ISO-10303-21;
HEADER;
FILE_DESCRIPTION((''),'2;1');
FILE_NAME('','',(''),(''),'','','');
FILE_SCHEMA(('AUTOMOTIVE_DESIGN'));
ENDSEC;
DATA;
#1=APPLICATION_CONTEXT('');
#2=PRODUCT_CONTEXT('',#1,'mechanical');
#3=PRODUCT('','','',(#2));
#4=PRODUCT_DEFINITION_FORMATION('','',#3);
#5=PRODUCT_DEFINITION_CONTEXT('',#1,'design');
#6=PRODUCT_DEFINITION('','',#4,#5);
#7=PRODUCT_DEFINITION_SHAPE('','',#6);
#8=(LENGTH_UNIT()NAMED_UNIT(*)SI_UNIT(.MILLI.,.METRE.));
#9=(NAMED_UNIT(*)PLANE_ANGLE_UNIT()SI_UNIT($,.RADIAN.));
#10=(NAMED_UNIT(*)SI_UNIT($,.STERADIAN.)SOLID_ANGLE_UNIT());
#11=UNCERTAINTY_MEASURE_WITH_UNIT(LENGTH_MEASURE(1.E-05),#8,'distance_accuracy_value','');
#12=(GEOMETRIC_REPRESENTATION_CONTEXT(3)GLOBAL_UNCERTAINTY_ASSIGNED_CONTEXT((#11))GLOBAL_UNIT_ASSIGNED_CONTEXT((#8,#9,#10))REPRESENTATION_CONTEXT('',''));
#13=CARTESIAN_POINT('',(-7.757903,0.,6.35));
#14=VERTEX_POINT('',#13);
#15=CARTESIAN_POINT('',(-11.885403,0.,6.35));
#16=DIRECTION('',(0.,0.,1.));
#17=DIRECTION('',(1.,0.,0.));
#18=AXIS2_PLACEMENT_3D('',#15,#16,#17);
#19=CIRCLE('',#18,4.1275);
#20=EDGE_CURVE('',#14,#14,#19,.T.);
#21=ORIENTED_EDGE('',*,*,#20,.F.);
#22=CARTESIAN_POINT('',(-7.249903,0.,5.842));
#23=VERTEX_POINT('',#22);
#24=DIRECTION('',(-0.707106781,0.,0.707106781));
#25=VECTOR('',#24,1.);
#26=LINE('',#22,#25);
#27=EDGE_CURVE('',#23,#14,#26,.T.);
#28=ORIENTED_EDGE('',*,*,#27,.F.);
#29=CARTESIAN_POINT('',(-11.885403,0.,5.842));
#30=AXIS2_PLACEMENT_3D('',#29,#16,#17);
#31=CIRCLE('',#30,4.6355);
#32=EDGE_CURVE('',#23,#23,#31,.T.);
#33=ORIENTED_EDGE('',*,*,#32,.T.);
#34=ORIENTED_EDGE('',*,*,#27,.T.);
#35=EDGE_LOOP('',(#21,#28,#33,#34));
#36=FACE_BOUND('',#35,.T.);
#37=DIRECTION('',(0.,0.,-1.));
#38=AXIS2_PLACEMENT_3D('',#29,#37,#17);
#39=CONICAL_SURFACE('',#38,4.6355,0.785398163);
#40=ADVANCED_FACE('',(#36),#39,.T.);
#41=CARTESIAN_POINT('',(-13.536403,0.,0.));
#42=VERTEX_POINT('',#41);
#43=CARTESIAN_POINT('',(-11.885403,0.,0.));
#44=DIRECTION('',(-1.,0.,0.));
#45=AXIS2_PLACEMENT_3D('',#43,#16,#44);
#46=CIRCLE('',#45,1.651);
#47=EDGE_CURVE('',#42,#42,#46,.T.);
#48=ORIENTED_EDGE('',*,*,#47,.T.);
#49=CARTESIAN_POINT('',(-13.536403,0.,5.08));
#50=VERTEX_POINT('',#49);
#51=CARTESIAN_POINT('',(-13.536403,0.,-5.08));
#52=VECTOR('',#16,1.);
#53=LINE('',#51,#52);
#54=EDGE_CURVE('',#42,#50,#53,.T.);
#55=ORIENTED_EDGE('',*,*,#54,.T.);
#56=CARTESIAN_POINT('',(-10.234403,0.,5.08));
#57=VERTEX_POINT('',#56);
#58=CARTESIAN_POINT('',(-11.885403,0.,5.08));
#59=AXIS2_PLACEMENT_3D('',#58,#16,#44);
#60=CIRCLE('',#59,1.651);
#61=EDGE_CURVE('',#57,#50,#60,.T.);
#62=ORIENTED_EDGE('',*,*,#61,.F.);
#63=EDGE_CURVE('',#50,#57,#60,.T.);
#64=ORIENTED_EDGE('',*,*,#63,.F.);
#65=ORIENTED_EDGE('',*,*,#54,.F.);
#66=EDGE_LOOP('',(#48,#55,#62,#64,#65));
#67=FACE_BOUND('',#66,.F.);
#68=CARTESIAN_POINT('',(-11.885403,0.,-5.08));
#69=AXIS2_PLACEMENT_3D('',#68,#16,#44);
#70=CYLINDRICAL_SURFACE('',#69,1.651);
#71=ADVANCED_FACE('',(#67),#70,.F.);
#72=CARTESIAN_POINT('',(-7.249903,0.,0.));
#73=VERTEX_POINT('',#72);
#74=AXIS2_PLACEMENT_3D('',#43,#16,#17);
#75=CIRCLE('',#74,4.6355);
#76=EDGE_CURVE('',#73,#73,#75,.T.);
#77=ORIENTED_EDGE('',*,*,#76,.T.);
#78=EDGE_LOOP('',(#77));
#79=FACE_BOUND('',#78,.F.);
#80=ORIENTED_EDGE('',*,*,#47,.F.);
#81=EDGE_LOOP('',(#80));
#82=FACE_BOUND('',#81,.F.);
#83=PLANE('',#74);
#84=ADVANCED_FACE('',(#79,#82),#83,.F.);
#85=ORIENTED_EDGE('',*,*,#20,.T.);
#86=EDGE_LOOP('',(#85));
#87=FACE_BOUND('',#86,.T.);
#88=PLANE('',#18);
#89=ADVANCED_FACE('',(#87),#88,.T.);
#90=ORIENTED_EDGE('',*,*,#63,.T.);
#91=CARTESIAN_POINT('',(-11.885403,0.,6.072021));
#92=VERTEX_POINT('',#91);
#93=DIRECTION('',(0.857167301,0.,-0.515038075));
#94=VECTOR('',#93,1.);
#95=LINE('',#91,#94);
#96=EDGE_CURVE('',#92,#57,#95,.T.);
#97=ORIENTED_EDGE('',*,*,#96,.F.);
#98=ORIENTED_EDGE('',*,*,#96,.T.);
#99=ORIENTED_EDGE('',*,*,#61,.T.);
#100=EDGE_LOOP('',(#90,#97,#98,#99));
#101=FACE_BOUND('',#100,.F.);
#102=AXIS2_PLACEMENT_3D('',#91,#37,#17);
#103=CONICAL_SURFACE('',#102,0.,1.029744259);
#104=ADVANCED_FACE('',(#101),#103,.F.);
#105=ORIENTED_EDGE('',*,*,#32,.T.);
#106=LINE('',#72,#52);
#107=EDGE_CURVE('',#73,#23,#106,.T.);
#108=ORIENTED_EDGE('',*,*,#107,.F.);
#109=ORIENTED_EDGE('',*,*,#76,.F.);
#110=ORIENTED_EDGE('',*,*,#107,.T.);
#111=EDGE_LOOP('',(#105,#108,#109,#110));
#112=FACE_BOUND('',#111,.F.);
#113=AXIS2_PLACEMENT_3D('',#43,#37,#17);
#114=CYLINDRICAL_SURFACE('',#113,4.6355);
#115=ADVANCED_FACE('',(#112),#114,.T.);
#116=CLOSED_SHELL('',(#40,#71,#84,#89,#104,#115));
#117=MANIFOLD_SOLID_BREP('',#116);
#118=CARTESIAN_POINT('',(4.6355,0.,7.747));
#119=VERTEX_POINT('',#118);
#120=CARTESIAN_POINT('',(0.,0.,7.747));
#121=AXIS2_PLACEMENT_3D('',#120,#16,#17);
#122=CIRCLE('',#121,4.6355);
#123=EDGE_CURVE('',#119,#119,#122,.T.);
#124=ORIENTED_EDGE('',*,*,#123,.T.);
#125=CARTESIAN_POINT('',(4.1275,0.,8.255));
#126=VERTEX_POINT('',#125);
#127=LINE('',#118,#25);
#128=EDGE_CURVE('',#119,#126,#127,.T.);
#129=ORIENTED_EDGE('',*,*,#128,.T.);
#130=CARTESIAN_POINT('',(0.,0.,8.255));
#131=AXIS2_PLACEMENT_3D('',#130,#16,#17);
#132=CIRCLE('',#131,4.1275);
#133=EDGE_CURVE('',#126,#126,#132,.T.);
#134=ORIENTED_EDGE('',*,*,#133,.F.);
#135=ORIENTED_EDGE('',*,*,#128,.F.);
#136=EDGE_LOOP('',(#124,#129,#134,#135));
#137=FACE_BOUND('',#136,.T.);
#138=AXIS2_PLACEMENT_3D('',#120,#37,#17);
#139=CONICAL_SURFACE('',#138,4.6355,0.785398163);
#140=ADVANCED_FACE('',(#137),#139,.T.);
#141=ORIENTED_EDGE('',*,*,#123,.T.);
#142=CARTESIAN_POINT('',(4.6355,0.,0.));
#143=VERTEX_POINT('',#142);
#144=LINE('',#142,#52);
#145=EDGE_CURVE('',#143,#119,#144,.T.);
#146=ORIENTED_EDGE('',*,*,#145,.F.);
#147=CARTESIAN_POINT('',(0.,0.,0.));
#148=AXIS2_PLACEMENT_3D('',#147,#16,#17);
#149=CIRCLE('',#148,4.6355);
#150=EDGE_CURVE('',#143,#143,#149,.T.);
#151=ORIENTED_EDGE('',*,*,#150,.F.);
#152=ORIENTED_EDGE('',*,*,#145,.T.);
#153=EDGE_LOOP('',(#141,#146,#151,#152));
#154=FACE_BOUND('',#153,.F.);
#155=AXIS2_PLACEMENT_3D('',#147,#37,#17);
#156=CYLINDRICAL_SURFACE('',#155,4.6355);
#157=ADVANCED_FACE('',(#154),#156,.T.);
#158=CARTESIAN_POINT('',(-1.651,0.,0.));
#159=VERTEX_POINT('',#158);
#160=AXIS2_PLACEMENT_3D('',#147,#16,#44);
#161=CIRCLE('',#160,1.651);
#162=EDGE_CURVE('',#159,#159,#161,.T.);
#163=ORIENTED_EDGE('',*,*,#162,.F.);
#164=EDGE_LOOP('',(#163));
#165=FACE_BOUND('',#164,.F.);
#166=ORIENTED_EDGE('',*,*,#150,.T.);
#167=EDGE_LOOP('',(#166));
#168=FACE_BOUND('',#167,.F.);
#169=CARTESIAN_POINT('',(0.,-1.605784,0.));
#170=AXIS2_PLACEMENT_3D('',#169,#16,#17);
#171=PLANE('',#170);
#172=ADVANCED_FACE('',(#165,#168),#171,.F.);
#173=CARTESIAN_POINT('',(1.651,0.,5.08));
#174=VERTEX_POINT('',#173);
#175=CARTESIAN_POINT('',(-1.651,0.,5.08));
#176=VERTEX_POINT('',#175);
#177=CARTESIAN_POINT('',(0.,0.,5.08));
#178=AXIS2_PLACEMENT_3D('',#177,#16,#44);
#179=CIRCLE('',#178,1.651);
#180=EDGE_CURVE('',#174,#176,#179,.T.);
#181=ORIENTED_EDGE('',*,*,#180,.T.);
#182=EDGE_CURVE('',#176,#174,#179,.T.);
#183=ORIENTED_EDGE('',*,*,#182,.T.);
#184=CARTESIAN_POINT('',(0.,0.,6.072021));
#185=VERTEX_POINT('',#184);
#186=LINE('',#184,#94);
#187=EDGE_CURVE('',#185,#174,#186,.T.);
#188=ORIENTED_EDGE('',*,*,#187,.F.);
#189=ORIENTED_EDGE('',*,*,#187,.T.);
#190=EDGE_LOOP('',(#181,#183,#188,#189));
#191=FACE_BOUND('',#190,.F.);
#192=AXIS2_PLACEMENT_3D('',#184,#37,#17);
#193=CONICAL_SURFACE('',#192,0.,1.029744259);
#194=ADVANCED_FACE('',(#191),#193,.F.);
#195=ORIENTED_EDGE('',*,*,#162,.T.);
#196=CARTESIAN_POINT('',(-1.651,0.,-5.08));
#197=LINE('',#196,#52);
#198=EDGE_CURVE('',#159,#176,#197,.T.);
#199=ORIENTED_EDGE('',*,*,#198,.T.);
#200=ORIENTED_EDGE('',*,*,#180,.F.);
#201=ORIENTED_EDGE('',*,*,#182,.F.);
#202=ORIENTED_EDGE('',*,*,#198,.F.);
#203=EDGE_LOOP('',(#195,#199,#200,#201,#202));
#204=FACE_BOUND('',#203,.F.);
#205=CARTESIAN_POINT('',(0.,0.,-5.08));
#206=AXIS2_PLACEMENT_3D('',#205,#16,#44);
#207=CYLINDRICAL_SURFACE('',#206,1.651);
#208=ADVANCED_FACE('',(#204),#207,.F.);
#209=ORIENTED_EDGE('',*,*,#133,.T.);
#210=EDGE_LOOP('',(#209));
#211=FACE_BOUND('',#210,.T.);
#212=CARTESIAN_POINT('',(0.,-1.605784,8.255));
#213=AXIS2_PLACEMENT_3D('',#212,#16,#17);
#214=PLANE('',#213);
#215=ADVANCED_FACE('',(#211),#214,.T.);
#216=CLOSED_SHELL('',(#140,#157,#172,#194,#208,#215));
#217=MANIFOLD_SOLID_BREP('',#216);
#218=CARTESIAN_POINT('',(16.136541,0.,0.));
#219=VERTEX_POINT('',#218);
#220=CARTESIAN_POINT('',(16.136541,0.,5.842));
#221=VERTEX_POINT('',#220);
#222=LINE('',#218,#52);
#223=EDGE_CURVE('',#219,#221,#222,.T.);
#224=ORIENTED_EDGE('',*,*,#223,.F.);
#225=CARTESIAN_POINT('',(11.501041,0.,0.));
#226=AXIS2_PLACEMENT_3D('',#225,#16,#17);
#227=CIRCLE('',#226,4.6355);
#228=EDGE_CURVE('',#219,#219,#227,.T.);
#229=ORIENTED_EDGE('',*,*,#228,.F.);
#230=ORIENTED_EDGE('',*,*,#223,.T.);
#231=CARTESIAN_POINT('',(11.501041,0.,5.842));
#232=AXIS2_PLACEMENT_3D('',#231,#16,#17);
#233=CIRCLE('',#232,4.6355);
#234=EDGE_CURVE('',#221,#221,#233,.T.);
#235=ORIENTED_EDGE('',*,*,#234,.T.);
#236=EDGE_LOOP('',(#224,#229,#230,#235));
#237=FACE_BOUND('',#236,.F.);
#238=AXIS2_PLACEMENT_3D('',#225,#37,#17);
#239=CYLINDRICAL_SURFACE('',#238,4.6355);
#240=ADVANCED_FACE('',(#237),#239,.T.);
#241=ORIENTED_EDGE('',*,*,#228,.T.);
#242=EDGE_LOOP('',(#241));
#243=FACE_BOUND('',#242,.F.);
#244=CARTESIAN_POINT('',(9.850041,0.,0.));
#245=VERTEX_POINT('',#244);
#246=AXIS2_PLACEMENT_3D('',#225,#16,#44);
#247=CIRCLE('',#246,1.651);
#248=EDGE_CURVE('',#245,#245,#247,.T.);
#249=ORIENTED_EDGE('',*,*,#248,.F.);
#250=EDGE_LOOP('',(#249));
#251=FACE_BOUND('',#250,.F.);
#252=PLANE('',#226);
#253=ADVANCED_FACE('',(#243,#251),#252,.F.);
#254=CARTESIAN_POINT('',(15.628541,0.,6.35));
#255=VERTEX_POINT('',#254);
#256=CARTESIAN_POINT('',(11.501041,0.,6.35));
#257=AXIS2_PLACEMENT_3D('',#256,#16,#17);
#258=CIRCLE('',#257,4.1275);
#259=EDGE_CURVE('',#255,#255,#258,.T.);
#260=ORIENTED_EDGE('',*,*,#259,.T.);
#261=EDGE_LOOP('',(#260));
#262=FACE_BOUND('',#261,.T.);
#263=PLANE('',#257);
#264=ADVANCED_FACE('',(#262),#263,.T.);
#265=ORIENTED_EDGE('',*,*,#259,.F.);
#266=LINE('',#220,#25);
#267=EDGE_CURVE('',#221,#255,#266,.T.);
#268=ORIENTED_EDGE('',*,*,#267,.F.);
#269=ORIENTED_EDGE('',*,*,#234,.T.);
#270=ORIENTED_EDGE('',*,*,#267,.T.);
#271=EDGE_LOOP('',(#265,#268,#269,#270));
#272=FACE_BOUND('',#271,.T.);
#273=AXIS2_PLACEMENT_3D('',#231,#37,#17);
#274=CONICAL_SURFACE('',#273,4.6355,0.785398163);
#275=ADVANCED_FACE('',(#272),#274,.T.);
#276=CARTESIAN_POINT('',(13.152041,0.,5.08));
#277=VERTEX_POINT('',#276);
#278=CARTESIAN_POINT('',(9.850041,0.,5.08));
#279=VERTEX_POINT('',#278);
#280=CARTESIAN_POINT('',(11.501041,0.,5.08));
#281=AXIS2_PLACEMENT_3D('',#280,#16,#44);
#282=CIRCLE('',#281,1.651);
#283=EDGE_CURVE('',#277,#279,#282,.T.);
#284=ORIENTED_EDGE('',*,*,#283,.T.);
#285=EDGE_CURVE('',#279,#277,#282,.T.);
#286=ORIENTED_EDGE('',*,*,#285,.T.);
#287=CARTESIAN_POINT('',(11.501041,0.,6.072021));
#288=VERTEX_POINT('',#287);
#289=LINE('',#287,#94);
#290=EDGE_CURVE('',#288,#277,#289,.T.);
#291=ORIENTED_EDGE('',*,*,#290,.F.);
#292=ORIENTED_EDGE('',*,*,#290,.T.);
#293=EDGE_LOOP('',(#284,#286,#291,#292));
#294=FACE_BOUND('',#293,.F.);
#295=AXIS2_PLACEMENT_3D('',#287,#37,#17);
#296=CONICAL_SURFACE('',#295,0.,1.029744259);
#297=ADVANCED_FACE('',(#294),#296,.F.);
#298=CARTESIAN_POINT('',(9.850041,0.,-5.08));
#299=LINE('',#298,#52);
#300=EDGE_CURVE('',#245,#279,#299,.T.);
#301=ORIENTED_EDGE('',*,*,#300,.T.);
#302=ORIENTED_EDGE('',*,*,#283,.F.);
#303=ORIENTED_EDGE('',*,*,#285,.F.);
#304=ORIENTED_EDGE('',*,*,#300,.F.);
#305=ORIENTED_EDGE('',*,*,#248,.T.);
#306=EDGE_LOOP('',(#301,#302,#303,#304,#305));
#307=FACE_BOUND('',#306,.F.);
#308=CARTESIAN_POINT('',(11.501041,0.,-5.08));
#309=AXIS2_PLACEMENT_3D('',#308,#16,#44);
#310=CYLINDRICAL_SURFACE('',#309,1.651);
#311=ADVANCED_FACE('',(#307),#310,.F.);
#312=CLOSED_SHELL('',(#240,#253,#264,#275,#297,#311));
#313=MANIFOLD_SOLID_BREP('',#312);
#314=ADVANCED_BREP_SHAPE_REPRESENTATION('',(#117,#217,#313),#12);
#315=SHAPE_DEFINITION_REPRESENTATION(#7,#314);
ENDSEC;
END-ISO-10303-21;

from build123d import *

# Parameters (mm, degrees)
F0_R       = 4.6355
F1_DEPTH   = 6.35
F2_DEPTH   = 8.255
F3_SIZE    = 0.508
F3_2_SIZE  = 0.508
F3_3_SIZE  = 0.508
F4_D       = 3.302
F4_DEPTH   = 5.08
F4_TIP     = 0.992020882
F4_2_D     = 3.302
F4_2_DEPTH = 5.08
F4_2_TIP   = 0.992020882
F4_3_D     = 3.302
F4_3_DEPTH = 5.08
F4_3_TIP   = 0.992020882


with BuildPart() as f1:
    # F0 (on Top) → F1 (new body)
    with BuildSketch(Plane.XY):
        with Locations((-11.8854027241, 0)):
            Circle(F0_R)
    extrude(amount=F1_DEPTH)

    # F3
    f3_edges = [f1.edges().sort_by_distance(p)[0] for p in [
        (-16.520903, 0, 6.35),
    ]]
    chamfer(f3_edges, length=F3_SIZE)

    # F4
    with Locations(Plane(origin=(0, 0, 0), x_dir=(1, 0, 0), z_dir=(0, 0, -1))):
        with Locations((-11.8854027241, 0), (0, 0), (11.501041241, 0)):
            Hole(F4_D / 2, depth=F4_DEPTH)
            with Locations((0, 0, -(F4_DEPTH + F4_TIP / 2))):  # 118° drill point
                Cone(0, F4_D / 2, F4_TIP, mode=Mode.SUBTRACT)


with BuildPart() as f1b:
    # F0 (on Top) → F1, piece 2 (new body)
    with BuildSketch(Plane.XY):
        with Locations((11.501041241, 0)):
            Circle(F0_R)
    extrude(amount=F1_DEPTH)

    # F3#3
    f3_3_edges = [f1b.edges().sort_by_distance(p)[0] for p in [
        (6.865541, 0, 6.35),
    ]]
    chamfer(f3_3_edges, length=F3_3_SIZE)

    # F4#2
    with Locations(Plane(origin=(0, 0, 0), x_dir=(1, 0, 0), z_dir=(0, 0, -1))):
        with Locations((-11.8854027241, 0), (0, 0), (11.501041241, 0)):
            Hole(F4_2_D / 2, depth=F4_2_DEPTH)
            with Locations((0, 0, -(F4_2_DEPTH + F4_2_TIP / 2))):  # 118° drill point
                Cone(0, F4_2_D / 2, F4_2_TIP, mode=Mode.SUBTRACT)


with BuildPart() as f2:
    # F0 (on Top) → F2 (new body)
    with BuildSketch(Plane.XY):
        with BuildLine():
            ThreePointArc((-4.6355, 0), (0, -4.6355), (4.6355, 0))
            Line((4.6355, 0), (-4.6355, 0))
        make_face()
        with BuildLine():
            Line((-4.6355, 0), (4.6355, 0))
            ThreePointArc((4.6355, 0), (0, 4.6355), (-4.6355, 0))
        make_face()
    extrude(amount=F2_DEPTH)

    # F3#2
    f3_2_edges = [f2.edges().sort_by_distance(p)[0] for p in [
        (-4.6355, 0, 8.255),
    ]]
    chamfer(f3_2_edges, length=F3_2_SIZE)

    # F4#3
    with Locations(Plane(origin=(0, 0, 0), x_dir=(1, 0, 0), z_dir=(0, 0, -1))):
        with Locations((-11.8854027241, 0), (0, 0), (11.501041241, 0)):
            Hole(F4_3_D / 2, depth=F4_3_DEPTH)
            with Locations((0, 0, -(F4_3_DEPTH + F4_3_TIP / 2))):  # 118° drill point
                Cone(0, F4_3_D / 2, F4_3_TIP, mode=Mode.SUBTRACT)


solid = Compound([f1.part, f1b.part, f2.part])
